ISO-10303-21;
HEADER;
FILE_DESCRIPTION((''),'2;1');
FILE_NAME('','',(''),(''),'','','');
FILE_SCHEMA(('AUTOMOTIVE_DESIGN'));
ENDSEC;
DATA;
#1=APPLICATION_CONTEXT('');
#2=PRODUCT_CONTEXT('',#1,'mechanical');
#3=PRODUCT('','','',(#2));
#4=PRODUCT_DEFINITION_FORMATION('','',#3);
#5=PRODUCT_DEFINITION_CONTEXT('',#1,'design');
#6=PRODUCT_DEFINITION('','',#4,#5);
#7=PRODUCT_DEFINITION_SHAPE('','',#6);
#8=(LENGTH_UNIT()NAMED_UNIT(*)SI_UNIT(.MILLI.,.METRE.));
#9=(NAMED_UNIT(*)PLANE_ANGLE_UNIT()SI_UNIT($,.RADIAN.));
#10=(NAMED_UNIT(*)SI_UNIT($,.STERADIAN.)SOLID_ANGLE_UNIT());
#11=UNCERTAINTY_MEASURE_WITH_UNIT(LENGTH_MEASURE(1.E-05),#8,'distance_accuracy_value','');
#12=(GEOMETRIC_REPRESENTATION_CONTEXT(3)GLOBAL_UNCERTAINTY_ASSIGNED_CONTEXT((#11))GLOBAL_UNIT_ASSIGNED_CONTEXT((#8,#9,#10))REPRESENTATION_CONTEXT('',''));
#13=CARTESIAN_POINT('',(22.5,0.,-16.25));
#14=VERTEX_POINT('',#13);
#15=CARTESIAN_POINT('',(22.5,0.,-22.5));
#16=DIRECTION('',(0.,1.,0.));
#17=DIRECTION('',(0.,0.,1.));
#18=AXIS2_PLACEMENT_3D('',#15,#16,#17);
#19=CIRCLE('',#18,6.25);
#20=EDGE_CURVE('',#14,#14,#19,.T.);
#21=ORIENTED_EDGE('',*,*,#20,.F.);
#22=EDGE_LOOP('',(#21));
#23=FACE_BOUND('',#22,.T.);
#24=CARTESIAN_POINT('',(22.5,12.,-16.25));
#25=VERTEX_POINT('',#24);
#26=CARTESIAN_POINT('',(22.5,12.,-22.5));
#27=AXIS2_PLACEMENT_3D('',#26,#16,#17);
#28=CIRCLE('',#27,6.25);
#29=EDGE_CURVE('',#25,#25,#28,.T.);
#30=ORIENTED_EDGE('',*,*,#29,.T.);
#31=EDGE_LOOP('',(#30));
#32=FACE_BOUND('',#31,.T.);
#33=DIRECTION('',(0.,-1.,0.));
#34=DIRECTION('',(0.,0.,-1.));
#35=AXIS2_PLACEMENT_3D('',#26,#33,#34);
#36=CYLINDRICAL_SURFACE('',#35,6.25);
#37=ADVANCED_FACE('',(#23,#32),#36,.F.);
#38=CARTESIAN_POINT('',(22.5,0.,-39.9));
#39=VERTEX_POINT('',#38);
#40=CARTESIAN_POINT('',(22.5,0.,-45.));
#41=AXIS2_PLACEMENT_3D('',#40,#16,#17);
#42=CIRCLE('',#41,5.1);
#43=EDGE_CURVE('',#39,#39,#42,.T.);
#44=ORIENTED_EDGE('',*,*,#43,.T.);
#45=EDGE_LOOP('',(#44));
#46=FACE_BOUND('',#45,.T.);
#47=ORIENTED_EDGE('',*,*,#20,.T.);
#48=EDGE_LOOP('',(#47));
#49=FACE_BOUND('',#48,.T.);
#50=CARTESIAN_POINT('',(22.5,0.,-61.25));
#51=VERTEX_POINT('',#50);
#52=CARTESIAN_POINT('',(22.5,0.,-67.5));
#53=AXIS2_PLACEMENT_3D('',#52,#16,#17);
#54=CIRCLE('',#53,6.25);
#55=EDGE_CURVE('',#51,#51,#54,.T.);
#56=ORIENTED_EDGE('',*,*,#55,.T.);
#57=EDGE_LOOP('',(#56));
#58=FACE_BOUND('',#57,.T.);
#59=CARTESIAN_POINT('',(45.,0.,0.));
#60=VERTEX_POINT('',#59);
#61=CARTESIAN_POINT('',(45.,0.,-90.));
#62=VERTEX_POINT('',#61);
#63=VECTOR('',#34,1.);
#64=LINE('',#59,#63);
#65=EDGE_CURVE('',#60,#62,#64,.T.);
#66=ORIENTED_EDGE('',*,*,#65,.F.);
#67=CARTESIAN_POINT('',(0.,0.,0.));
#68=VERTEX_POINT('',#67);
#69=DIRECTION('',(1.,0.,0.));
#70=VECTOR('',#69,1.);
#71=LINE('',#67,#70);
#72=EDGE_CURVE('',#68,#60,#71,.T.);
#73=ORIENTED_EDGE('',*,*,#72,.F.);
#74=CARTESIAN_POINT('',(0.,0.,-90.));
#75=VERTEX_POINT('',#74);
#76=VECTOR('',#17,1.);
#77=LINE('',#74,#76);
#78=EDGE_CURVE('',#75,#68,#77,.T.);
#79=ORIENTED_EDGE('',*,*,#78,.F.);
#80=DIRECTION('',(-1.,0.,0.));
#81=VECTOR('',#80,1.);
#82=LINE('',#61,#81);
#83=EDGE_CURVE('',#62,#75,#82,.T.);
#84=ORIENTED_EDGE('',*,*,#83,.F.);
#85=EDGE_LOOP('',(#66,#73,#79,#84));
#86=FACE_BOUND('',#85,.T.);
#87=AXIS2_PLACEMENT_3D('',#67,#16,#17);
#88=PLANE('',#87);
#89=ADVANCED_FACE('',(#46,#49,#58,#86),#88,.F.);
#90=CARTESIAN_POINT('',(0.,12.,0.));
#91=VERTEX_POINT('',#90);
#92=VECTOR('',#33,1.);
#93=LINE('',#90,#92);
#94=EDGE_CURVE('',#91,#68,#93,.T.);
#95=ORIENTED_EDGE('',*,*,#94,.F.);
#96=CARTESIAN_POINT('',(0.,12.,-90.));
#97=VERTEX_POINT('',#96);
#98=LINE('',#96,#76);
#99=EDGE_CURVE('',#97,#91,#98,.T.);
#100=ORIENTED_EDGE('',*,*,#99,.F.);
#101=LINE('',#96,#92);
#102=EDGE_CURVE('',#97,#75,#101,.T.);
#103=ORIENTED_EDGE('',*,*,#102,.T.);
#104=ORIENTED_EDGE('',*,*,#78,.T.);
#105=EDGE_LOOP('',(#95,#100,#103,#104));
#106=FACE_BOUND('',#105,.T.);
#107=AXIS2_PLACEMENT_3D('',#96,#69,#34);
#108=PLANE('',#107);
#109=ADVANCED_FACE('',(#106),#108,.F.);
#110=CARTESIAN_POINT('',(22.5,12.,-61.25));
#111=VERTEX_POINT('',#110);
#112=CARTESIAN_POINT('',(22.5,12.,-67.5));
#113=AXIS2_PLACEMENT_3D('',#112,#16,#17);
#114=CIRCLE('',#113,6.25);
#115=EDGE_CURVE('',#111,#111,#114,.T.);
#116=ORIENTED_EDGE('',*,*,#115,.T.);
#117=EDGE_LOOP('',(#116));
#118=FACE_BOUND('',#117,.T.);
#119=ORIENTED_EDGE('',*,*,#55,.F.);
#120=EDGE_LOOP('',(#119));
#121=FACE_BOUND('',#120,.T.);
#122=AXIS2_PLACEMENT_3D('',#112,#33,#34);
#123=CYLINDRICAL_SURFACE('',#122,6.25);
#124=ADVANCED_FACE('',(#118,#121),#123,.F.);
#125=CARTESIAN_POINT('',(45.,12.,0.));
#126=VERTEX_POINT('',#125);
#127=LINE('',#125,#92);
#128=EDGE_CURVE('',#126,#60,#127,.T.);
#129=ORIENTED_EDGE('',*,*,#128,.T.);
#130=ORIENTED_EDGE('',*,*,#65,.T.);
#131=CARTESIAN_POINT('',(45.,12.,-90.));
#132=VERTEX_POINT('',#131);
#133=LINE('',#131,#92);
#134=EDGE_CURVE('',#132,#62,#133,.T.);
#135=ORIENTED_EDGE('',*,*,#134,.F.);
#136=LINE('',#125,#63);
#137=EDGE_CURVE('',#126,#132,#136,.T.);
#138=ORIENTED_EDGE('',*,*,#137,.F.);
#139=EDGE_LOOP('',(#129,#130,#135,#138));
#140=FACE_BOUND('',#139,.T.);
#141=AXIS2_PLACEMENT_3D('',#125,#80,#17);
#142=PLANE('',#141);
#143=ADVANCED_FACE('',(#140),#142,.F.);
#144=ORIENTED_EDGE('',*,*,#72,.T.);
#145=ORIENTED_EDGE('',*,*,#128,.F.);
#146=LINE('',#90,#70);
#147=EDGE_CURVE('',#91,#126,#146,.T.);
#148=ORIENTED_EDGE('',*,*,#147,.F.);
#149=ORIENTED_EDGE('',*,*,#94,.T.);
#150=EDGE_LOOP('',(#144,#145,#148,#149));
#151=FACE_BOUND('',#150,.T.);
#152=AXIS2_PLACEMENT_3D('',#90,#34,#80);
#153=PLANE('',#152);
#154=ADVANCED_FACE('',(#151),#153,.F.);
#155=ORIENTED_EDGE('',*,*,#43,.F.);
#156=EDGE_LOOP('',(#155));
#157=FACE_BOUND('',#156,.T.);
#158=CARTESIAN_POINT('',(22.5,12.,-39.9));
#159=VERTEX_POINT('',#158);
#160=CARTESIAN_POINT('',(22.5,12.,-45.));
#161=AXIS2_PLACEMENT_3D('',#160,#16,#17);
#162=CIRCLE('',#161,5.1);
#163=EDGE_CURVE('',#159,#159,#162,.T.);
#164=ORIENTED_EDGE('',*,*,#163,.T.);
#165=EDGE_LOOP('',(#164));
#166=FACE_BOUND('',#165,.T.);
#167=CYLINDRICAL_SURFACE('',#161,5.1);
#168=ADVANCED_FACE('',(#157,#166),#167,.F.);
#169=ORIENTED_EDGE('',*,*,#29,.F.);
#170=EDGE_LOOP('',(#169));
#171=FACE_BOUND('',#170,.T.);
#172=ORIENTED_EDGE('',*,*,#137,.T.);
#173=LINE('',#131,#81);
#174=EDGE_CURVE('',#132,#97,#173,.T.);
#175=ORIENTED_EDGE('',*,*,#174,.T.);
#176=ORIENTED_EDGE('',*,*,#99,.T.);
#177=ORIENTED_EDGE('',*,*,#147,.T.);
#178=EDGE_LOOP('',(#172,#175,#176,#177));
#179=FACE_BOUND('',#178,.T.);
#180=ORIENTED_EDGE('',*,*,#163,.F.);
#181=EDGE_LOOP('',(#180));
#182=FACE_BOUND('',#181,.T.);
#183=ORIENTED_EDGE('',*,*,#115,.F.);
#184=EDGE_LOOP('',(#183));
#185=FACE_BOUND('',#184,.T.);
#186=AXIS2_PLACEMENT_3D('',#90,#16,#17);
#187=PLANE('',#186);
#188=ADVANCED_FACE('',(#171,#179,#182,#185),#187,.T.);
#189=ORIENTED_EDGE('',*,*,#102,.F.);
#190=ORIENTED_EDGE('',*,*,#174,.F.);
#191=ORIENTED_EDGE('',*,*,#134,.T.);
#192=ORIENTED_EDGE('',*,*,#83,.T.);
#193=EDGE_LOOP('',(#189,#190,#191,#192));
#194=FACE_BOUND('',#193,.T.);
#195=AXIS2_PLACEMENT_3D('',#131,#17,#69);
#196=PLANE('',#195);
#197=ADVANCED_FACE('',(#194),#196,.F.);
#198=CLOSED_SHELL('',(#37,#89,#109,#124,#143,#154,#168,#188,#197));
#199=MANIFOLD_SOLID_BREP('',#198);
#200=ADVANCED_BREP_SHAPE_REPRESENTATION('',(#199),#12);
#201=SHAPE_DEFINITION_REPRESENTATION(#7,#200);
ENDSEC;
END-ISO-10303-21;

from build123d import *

# Parameters (mm, degrees)
SKETCH_1_W              = 45
SKETCH_1_H              = 90
SKETCH_1_R              = 6.25
EXTRUDE_1_DEPTH         = 12
HOLE_WIZARD_M12_1_D     = 10.2
HOLE_WIZARD_M12_1_DEPTH = 29.25
HOLE_WIZARD_M12_1_TIP   = 3.064389157


with BuildPart() as part:
    # 草图1 → 凸台-拉伸1 (new body)
    with BuildSketch(Plane(origin=(0, 0, 0), x_dir=(1, 0, 0), z_dir=(0, 1, 0))):
        with Locations((22.5, 45)):
            Rectangle(SKETCH_1_W, SKETCH_1_H)
        with Locations(Location((22.5, 67.5, 0), (0, 0, 270))):
            Circle(SKETCH_1_R, mode=Mode.SUBTRACT)
        with Locations(Location((22.5, 22.5, 0), (0, 0, 270))):
            Circle(SKETCH_1_R, mode=Mode.SUBTRACT)
    extrude(amount=EXTRUDE_1_DEPTH)

    # M12 螺纹孔1
    with Locations(Plane(origin=(22.5, 12, -45), x_dir=(0, 0, 1), z_dir=(0, 1, 0))):
        with Locations((0, 0)):
            Hole(HOLE_WIZARD_M12_1_D / 2, depth=HOLE_WIZARD_M12_1_DEPTH)
            with Locations((0, 0, -(HOLE_WIZARD_M12_1_DEPTH + HOLE_WIZARD_M12_1_TIP / 2))):  # 118° drill point
                Cone(0, HOLE_WIZARD_M12_1_D / 2, HOLE_WIZARD_M12_1_TIP, mode=Mode.SUBTRACT)


solid = part.part
